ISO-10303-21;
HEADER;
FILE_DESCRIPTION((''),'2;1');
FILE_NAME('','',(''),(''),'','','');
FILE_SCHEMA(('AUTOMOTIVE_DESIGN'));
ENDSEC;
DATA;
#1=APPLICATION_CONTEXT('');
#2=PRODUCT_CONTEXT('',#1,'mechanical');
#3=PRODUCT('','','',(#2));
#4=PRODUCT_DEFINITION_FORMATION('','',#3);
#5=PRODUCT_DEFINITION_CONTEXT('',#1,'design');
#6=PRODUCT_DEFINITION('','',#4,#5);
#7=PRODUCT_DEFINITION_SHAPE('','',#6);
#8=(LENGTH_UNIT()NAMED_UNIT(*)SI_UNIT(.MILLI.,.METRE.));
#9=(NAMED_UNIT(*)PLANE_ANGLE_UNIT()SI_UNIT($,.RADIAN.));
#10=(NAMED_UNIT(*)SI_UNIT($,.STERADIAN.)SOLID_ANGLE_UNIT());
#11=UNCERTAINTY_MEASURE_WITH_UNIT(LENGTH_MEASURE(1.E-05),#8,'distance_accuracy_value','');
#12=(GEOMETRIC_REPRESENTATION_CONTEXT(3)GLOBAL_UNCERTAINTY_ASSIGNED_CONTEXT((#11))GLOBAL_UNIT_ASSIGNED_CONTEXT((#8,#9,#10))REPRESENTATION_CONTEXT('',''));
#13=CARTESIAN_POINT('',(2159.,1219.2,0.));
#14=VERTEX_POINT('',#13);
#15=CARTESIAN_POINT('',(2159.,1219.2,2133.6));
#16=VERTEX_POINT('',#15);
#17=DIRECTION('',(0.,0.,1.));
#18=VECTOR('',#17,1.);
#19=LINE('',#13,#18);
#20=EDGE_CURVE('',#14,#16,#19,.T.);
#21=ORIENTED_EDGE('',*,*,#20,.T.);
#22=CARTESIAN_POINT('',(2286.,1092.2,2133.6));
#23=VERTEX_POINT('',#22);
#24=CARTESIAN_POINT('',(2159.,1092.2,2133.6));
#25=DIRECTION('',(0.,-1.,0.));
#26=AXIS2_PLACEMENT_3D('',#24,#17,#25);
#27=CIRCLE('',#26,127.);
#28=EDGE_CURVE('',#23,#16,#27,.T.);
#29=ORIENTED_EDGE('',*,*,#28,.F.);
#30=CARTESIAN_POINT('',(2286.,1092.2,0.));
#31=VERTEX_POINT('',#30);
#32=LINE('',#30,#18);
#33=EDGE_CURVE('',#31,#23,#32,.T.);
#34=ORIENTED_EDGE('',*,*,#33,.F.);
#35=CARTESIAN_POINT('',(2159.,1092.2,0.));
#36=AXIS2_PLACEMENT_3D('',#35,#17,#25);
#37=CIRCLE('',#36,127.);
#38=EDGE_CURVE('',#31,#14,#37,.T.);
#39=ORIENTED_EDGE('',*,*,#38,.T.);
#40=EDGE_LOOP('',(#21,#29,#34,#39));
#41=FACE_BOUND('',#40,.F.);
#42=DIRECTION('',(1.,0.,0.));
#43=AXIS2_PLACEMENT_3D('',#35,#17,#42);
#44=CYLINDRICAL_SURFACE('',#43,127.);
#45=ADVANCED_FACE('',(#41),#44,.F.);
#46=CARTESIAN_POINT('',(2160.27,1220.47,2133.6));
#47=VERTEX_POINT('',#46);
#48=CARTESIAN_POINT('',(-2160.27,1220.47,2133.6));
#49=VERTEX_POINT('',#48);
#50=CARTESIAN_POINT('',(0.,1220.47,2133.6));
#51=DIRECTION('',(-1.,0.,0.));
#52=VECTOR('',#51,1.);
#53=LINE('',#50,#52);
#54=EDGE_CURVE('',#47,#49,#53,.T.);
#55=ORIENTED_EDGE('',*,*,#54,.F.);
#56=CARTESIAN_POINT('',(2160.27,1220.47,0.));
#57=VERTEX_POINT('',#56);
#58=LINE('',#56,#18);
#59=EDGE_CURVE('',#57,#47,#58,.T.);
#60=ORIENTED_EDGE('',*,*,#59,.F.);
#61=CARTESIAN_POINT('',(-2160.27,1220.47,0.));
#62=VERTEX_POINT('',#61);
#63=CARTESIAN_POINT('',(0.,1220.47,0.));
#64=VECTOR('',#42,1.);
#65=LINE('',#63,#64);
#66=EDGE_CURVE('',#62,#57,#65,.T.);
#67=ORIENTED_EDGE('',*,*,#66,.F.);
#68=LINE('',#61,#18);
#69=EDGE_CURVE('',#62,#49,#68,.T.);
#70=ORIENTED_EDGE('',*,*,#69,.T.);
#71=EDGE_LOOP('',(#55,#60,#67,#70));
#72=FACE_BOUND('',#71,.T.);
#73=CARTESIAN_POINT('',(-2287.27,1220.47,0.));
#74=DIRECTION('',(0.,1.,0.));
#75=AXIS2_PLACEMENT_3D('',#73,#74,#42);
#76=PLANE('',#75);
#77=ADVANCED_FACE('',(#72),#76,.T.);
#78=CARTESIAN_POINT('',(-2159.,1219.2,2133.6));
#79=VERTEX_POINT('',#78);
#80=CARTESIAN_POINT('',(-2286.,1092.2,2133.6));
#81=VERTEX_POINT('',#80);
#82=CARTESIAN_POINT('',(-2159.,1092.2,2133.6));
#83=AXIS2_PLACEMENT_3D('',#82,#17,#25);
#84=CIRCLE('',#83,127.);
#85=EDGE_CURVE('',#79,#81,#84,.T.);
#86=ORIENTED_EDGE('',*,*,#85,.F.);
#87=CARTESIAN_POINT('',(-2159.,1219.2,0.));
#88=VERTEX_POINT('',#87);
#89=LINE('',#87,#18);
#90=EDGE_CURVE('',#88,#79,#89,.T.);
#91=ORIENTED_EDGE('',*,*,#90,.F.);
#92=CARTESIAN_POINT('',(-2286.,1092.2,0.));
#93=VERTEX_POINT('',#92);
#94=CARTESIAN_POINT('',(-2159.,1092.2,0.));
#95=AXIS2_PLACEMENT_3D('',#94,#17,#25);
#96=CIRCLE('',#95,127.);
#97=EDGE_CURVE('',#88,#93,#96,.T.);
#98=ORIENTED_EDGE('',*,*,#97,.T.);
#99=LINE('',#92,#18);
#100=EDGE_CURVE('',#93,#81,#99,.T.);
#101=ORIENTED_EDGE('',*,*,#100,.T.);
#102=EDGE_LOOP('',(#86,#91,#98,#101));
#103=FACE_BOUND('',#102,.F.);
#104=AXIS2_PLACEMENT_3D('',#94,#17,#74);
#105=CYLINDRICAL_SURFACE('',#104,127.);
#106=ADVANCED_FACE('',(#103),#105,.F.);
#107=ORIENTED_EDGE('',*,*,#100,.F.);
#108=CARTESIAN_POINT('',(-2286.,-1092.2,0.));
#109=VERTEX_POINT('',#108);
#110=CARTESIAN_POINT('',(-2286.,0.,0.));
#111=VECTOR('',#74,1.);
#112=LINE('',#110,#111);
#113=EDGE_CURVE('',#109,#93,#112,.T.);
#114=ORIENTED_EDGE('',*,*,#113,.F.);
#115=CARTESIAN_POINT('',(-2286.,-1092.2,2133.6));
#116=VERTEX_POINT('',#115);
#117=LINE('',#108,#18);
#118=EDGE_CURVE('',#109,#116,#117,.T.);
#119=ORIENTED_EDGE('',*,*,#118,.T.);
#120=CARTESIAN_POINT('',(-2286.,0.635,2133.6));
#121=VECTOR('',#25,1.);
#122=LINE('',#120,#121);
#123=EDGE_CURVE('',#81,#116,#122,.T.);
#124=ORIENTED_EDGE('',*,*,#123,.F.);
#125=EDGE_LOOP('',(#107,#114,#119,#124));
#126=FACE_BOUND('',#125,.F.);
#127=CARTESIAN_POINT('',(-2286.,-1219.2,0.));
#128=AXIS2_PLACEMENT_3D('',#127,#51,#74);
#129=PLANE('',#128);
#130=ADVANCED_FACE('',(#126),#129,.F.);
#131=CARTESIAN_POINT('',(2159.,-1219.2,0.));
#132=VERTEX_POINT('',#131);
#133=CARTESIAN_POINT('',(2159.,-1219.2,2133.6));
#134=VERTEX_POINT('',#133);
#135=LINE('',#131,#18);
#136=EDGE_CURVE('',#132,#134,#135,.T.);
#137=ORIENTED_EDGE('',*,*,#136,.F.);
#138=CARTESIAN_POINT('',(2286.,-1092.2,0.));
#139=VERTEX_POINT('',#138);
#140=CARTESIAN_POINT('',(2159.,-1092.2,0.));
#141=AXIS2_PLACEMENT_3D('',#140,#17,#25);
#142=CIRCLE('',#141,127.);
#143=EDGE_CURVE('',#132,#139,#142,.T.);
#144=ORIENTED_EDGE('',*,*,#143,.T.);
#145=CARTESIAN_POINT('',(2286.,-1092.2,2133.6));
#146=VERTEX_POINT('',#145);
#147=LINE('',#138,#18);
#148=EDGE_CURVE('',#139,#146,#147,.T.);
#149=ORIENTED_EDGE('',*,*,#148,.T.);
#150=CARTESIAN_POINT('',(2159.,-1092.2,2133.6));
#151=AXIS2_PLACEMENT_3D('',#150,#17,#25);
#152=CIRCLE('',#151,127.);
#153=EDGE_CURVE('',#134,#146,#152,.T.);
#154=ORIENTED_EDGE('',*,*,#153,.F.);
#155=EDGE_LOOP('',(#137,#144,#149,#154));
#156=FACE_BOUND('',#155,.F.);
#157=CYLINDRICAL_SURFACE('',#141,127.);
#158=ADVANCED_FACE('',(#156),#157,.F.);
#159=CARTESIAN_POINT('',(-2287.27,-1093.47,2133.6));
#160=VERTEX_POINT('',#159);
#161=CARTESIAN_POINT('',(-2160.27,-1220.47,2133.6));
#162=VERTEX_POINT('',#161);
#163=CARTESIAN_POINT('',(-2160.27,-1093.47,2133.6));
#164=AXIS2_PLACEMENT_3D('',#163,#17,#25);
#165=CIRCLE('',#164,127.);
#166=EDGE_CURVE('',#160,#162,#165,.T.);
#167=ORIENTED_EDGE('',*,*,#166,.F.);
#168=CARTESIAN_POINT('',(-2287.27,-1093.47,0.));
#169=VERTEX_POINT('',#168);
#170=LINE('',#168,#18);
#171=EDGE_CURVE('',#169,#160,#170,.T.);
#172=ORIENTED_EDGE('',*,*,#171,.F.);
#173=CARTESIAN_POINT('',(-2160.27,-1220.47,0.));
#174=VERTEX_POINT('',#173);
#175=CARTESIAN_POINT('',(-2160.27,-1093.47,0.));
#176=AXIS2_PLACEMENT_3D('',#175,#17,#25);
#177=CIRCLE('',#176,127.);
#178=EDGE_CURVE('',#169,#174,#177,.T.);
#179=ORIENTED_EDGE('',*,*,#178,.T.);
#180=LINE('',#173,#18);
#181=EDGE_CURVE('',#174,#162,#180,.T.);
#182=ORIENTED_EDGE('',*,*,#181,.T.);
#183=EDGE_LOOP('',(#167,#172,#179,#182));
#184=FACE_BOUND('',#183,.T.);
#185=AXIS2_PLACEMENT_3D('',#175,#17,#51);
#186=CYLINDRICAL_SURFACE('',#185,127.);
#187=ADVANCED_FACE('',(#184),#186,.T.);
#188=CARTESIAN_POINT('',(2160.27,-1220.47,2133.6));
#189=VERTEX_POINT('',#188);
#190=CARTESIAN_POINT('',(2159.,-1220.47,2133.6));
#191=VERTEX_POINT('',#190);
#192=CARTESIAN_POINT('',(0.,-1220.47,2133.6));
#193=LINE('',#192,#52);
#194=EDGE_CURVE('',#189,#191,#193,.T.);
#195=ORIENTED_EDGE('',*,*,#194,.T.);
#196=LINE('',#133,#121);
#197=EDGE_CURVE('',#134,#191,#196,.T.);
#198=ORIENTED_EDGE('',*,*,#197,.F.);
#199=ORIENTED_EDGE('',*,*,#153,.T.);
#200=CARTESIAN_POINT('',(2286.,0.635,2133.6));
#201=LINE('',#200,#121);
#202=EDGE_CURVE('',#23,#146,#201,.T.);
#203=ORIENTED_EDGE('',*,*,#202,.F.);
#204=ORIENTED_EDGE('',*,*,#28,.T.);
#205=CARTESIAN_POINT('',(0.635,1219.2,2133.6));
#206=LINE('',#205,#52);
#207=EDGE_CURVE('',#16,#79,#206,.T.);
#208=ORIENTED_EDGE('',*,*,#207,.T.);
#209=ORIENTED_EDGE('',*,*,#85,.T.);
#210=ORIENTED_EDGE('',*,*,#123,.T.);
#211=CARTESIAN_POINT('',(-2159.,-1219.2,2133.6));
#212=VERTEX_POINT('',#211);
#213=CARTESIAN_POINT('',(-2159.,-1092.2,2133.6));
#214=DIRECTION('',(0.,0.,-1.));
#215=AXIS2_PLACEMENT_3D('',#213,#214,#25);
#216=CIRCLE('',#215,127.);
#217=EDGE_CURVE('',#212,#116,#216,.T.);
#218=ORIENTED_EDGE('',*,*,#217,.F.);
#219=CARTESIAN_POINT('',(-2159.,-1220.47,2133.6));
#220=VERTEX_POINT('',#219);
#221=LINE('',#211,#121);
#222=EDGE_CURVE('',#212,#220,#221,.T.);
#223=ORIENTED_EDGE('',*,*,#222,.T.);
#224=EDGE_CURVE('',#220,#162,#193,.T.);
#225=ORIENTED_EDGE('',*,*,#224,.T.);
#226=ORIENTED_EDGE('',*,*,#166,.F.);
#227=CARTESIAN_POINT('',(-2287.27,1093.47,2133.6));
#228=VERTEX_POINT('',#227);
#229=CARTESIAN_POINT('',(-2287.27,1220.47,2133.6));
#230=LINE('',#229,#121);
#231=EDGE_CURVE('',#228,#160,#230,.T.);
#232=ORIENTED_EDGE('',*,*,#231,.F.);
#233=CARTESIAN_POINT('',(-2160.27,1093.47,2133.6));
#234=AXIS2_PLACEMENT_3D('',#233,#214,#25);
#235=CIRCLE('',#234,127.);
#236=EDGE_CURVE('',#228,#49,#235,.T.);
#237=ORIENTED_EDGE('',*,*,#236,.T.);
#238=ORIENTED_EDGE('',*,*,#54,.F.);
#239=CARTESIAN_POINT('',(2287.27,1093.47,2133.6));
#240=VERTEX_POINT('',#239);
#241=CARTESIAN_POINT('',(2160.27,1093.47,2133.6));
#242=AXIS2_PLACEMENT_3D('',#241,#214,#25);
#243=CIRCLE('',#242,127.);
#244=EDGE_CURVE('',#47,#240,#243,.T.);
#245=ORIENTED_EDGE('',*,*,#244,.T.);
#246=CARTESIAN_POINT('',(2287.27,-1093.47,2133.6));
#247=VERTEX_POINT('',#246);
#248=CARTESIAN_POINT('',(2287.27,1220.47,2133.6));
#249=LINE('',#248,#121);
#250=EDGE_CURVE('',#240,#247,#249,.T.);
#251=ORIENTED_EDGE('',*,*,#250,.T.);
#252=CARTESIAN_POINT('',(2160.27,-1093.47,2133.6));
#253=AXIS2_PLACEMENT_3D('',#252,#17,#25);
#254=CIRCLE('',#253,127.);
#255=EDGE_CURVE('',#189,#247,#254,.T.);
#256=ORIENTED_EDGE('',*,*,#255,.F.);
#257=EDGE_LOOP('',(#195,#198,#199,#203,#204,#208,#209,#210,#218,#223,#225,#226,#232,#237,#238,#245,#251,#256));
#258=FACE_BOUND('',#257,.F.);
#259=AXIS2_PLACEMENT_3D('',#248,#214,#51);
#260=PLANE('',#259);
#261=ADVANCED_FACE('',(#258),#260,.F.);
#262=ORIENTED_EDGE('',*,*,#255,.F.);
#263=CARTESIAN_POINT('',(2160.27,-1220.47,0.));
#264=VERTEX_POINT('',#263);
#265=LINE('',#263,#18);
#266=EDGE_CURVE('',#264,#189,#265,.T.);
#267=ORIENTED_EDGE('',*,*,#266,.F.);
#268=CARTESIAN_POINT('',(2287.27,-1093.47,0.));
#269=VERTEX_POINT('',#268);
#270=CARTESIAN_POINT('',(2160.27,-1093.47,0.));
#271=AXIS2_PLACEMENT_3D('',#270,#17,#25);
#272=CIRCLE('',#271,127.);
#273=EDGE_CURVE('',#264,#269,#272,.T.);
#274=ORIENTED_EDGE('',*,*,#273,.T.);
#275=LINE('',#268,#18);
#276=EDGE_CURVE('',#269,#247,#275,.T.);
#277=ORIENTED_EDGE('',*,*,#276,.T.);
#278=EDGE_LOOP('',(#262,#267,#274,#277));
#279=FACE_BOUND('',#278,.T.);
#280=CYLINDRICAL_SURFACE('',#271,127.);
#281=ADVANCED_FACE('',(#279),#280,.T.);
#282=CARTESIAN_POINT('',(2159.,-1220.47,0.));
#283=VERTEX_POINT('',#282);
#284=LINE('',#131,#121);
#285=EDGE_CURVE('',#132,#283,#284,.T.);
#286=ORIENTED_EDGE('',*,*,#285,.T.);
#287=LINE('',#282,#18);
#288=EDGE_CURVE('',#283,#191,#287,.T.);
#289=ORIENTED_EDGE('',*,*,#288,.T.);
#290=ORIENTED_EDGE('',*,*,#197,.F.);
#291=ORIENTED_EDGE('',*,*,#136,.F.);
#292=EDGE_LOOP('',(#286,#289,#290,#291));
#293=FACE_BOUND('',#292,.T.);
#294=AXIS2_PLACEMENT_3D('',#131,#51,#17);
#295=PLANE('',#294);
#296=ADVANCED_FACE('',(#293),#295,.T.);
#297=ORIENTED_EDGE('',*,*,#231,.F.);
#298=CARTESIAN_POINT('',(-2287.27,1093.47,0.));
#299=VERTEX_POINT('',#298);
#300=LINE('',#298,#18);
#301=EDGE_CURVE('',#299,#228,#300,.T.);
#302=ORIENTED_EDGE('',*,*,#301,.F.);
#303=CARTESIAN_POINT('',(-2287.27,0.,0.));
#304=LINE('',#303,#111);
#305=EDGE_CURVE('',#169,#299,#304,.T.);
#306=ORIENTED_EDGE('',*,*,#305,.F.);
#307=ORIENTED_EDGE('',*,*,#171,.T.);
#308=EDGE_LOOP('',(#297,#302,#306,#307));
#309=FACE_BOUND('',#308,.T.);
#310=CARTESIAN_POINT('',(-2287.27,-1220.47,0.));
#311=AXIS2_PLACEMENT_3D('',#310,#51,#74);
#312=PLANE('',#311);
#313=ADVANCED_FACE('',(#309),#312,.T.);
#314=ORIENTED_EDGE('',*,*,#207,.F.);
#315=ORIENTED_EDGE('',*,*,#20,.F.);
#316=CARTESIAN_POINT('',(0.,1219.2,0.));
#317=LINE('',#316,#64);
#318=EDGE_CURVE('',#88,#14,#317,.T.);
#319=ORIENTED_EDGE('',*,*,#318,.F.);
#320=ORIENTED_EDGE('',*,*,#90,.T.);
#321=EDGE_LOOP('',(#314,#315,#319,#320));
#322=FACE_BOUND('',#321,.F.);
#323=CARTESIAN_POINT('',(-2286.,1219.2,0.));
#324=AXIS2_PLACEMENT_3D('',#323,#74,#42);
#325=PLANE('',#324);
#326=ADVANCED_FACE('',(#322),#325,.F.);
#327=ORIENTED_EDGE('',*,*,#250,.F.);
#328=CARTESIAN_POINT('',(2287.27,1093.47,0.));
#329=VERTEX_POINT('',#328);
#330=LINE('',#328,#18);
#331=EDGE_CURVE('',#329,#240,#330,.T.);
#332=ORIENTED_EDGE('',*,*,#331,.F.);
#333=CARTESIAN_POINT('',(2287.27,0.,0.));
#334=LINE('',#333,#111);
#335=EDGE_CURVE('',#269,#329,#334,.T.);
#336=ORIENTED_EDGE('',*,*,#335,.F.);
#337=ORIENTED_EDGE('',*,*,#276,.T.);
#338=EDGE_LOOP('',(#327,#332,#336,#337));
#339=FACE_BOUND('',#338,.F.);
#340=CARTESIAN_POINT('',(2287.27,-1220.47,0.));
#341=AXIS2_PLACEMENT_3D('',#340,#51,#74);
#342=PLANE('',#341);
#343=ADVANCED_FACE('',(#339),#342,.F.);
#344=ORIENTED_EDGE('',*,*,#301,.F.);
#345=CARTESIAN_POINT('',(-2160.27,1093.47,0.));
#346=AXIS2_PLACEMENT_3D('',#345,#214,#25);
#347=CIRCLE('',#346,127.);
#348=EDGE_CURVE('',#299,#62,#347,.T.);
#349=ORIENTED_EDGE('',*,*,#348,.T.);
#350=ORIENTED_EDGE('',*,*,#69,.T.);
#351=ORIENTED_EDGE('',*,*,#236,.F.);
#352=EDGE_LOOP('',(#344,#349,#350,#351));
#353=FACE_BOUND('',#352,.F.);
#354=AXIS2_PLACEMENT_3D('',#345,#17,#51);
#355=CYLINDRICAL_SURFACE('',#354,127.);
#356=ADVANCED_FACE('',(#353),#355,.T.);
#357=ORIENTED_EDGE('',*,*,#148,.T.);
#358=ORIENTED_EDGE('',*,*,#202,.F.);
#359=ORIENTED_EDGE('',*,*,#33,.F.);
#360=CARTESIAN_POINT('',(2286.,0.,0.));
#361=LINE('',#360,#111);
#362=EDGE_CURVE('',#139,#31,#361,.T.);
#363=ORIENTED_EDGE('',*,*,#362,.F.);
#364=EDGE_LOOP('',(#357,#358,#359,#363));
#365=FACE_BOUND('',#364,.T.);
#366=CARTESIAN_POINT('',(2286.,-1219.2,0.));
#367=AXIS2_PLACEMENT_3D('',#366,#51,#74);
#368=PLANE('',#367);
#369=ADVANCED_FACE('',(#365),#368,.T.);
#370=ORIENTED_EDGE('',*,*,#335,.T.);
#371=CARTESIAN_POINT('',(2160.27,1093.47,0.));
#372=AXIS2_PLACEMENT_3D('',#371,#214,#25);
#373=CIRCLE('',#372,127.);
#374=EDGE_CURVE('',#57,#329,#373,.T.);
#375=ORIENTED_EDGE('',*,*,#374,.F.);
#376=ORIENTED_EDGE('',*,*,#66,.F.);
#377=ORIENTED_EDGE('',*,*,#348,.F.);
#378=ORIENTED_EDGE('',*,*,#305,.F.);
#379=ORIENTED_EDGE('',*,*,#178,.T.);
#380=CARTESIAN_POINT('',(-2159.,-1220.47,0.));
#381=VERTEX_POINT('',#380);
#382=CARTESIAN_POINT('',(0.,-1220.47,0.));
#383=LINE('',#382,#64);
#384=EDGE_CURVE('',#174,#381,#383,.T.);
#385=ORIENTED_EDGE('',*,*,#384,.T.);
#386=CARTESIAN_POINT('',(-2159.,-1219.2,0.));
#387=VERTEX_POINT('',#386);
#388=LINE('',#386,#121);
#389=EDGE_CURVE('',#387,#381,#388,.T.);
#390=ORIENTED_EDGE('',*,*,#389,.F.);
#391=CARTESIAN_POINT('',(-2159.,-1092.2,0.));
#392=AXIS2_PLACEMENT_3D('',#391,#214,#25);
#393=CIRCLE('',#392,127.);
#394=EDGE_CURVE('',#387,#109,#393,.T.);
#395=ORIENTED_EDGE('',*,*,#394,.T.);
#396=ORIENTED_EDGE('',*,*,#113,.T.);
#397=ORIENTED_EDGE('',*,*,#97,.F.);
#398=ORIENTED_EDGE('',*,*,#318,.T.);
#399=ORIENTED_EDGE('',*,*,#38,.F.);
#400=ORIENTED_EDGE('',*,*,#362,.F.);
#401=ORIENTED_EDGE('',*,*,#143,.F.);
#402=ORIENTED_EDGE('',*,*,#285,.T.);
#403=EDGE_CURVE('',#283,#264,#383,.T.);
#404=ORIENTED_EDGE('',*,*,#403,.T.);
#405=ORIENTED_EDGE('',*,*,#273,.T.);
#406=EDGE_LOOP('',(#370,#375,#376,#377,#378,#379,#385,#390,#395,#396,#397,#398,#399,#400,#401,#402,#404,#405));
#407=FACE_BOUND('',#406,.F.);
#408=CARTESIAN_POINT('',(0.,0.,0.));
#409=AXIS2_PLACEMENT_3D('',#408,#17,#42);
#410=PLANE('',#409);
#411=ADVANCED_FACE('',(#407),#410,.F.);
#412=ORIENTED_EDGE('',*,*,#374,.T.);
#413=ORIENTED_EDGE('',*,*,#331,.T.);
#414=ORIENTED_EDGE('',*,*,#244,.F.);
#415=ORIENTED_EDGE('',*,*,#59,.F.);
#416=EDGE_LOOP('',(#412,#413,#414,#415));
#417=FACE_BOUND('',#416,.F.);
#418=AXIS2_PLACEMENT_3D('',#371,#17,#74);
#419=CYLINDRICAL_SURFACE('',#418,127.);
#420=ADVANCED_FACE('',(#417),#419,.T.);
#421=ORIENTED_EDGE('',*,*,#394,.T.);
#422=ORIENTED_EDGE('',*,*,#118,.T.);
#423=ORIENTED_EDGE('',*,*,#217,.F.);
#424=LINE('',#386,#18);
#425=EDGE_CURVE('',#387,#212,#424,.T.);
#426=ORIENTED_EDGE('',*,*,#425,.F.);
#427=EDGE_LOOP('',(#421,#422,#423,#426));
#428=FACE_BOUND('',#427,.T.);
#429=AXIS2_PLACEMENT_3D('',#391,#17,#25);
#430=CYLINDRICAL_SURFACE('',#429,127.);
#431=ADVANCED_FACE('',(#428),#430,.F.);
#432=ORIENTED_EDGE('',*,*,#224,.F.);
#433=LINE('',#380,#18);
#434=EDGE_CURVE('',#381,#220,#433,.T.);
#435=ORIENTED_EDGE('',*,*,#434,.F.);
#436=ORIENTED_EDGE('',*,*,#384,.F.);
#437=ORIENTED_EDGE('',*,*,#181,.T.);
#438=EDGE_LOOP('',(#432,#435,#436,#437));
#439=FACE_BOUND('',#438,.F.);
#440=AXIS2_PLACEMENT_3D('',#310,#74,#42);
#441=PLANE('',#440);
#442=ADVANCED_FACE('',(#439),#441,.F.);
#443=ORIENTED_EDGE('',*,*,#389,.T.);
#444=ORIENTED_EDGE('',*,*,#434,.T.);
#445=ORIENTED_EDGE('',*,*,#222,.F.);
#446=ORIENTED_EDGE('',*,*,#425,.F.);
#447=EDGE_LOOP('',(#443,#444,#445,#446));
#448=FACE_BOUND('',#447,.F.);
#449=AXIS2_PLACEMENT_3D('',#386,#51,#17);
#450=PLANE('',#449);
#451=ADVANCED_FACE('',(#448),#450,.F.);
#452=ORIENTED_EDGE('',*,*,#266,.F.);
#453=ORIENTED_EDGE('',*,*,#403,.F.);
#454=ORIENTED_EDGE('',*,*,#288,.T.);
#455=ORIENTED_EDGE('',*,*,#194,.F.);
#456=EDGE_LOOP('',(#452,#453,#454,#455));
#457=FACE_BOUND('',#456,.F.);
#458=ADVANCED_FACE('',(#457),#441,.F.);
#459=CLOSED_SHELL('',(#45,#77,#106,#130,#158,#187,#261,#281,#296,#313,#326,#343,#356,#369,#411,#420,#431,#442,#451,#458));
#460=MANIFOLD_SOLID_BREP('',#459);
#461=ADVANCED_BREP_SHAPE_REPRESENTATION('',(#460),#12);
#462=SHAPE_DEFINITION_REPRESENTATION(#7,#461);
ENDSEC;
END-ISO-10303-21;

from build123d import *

# Parameters (mm, degrees)
F0_W     = 4574.54
F0_H     = 2440.94
F0_W_2   = 4572
F0_H_2   = 2438.4
F1_DEPTH = 2438.4
F2_W     = 4574.54
F2_H     = 304.8
F3_DEPTH = 2440.941
F4_R     = 127
F5_DEPTH = 25.4


with BuildPart() as f1:
    # F0 (on Top) → F1 (new body)
    with BuildSketch(Plane.XY):
        Rectangle(F0_W, F0_H)
        Rectangle(F0_W_2, F0_H_2, mode=Mode.SUBTRACT)
    extrude(amount=F1_DEPTH)

    # F2 (on face) → F3 (cut, through all)
    with BuildSketch(Plane(origin=(0, 1220.47, 0), x_dir=(-1, 0, 0), z_dir=(0, 1, 0))):
        with Locations((0, 2286)):
            Rectangle(F2_W, F2_H)
    extrude(amount=-F3_DEPTH, mode=Mode.SUBTRACT)

    # F4
    f4_edges = [f1.edges().sort_by_distance(p)[0] for p in [
        (-2287.27, 1220.47, 1066.8),
        (-2286, 1219.2, 1066.8),
        (-2287.27, -1220.47, 1066.8),
        (-2286, -1219.2, 1066.8),
        (2286, -1219.2, 1066.8),
        (2287.27, -1220.47, 1066.8),
        (2286, 1219.2, 1066.8),
        (2287.27, 1220.47, 1066.8),
    ]]
    fillet(f4_edges, radius=F4_R)

    # F5 (cut): a face of the model
    f5_faces = [f1.faces().sort_by_distance(p)[0] for p in [
        (0, -1219.2, 1066.8),
    ]]
    extrude(f5_faces, amount=-F5_DEPTH, mode=Mode.SUBTRACT)


solid = f1.part
